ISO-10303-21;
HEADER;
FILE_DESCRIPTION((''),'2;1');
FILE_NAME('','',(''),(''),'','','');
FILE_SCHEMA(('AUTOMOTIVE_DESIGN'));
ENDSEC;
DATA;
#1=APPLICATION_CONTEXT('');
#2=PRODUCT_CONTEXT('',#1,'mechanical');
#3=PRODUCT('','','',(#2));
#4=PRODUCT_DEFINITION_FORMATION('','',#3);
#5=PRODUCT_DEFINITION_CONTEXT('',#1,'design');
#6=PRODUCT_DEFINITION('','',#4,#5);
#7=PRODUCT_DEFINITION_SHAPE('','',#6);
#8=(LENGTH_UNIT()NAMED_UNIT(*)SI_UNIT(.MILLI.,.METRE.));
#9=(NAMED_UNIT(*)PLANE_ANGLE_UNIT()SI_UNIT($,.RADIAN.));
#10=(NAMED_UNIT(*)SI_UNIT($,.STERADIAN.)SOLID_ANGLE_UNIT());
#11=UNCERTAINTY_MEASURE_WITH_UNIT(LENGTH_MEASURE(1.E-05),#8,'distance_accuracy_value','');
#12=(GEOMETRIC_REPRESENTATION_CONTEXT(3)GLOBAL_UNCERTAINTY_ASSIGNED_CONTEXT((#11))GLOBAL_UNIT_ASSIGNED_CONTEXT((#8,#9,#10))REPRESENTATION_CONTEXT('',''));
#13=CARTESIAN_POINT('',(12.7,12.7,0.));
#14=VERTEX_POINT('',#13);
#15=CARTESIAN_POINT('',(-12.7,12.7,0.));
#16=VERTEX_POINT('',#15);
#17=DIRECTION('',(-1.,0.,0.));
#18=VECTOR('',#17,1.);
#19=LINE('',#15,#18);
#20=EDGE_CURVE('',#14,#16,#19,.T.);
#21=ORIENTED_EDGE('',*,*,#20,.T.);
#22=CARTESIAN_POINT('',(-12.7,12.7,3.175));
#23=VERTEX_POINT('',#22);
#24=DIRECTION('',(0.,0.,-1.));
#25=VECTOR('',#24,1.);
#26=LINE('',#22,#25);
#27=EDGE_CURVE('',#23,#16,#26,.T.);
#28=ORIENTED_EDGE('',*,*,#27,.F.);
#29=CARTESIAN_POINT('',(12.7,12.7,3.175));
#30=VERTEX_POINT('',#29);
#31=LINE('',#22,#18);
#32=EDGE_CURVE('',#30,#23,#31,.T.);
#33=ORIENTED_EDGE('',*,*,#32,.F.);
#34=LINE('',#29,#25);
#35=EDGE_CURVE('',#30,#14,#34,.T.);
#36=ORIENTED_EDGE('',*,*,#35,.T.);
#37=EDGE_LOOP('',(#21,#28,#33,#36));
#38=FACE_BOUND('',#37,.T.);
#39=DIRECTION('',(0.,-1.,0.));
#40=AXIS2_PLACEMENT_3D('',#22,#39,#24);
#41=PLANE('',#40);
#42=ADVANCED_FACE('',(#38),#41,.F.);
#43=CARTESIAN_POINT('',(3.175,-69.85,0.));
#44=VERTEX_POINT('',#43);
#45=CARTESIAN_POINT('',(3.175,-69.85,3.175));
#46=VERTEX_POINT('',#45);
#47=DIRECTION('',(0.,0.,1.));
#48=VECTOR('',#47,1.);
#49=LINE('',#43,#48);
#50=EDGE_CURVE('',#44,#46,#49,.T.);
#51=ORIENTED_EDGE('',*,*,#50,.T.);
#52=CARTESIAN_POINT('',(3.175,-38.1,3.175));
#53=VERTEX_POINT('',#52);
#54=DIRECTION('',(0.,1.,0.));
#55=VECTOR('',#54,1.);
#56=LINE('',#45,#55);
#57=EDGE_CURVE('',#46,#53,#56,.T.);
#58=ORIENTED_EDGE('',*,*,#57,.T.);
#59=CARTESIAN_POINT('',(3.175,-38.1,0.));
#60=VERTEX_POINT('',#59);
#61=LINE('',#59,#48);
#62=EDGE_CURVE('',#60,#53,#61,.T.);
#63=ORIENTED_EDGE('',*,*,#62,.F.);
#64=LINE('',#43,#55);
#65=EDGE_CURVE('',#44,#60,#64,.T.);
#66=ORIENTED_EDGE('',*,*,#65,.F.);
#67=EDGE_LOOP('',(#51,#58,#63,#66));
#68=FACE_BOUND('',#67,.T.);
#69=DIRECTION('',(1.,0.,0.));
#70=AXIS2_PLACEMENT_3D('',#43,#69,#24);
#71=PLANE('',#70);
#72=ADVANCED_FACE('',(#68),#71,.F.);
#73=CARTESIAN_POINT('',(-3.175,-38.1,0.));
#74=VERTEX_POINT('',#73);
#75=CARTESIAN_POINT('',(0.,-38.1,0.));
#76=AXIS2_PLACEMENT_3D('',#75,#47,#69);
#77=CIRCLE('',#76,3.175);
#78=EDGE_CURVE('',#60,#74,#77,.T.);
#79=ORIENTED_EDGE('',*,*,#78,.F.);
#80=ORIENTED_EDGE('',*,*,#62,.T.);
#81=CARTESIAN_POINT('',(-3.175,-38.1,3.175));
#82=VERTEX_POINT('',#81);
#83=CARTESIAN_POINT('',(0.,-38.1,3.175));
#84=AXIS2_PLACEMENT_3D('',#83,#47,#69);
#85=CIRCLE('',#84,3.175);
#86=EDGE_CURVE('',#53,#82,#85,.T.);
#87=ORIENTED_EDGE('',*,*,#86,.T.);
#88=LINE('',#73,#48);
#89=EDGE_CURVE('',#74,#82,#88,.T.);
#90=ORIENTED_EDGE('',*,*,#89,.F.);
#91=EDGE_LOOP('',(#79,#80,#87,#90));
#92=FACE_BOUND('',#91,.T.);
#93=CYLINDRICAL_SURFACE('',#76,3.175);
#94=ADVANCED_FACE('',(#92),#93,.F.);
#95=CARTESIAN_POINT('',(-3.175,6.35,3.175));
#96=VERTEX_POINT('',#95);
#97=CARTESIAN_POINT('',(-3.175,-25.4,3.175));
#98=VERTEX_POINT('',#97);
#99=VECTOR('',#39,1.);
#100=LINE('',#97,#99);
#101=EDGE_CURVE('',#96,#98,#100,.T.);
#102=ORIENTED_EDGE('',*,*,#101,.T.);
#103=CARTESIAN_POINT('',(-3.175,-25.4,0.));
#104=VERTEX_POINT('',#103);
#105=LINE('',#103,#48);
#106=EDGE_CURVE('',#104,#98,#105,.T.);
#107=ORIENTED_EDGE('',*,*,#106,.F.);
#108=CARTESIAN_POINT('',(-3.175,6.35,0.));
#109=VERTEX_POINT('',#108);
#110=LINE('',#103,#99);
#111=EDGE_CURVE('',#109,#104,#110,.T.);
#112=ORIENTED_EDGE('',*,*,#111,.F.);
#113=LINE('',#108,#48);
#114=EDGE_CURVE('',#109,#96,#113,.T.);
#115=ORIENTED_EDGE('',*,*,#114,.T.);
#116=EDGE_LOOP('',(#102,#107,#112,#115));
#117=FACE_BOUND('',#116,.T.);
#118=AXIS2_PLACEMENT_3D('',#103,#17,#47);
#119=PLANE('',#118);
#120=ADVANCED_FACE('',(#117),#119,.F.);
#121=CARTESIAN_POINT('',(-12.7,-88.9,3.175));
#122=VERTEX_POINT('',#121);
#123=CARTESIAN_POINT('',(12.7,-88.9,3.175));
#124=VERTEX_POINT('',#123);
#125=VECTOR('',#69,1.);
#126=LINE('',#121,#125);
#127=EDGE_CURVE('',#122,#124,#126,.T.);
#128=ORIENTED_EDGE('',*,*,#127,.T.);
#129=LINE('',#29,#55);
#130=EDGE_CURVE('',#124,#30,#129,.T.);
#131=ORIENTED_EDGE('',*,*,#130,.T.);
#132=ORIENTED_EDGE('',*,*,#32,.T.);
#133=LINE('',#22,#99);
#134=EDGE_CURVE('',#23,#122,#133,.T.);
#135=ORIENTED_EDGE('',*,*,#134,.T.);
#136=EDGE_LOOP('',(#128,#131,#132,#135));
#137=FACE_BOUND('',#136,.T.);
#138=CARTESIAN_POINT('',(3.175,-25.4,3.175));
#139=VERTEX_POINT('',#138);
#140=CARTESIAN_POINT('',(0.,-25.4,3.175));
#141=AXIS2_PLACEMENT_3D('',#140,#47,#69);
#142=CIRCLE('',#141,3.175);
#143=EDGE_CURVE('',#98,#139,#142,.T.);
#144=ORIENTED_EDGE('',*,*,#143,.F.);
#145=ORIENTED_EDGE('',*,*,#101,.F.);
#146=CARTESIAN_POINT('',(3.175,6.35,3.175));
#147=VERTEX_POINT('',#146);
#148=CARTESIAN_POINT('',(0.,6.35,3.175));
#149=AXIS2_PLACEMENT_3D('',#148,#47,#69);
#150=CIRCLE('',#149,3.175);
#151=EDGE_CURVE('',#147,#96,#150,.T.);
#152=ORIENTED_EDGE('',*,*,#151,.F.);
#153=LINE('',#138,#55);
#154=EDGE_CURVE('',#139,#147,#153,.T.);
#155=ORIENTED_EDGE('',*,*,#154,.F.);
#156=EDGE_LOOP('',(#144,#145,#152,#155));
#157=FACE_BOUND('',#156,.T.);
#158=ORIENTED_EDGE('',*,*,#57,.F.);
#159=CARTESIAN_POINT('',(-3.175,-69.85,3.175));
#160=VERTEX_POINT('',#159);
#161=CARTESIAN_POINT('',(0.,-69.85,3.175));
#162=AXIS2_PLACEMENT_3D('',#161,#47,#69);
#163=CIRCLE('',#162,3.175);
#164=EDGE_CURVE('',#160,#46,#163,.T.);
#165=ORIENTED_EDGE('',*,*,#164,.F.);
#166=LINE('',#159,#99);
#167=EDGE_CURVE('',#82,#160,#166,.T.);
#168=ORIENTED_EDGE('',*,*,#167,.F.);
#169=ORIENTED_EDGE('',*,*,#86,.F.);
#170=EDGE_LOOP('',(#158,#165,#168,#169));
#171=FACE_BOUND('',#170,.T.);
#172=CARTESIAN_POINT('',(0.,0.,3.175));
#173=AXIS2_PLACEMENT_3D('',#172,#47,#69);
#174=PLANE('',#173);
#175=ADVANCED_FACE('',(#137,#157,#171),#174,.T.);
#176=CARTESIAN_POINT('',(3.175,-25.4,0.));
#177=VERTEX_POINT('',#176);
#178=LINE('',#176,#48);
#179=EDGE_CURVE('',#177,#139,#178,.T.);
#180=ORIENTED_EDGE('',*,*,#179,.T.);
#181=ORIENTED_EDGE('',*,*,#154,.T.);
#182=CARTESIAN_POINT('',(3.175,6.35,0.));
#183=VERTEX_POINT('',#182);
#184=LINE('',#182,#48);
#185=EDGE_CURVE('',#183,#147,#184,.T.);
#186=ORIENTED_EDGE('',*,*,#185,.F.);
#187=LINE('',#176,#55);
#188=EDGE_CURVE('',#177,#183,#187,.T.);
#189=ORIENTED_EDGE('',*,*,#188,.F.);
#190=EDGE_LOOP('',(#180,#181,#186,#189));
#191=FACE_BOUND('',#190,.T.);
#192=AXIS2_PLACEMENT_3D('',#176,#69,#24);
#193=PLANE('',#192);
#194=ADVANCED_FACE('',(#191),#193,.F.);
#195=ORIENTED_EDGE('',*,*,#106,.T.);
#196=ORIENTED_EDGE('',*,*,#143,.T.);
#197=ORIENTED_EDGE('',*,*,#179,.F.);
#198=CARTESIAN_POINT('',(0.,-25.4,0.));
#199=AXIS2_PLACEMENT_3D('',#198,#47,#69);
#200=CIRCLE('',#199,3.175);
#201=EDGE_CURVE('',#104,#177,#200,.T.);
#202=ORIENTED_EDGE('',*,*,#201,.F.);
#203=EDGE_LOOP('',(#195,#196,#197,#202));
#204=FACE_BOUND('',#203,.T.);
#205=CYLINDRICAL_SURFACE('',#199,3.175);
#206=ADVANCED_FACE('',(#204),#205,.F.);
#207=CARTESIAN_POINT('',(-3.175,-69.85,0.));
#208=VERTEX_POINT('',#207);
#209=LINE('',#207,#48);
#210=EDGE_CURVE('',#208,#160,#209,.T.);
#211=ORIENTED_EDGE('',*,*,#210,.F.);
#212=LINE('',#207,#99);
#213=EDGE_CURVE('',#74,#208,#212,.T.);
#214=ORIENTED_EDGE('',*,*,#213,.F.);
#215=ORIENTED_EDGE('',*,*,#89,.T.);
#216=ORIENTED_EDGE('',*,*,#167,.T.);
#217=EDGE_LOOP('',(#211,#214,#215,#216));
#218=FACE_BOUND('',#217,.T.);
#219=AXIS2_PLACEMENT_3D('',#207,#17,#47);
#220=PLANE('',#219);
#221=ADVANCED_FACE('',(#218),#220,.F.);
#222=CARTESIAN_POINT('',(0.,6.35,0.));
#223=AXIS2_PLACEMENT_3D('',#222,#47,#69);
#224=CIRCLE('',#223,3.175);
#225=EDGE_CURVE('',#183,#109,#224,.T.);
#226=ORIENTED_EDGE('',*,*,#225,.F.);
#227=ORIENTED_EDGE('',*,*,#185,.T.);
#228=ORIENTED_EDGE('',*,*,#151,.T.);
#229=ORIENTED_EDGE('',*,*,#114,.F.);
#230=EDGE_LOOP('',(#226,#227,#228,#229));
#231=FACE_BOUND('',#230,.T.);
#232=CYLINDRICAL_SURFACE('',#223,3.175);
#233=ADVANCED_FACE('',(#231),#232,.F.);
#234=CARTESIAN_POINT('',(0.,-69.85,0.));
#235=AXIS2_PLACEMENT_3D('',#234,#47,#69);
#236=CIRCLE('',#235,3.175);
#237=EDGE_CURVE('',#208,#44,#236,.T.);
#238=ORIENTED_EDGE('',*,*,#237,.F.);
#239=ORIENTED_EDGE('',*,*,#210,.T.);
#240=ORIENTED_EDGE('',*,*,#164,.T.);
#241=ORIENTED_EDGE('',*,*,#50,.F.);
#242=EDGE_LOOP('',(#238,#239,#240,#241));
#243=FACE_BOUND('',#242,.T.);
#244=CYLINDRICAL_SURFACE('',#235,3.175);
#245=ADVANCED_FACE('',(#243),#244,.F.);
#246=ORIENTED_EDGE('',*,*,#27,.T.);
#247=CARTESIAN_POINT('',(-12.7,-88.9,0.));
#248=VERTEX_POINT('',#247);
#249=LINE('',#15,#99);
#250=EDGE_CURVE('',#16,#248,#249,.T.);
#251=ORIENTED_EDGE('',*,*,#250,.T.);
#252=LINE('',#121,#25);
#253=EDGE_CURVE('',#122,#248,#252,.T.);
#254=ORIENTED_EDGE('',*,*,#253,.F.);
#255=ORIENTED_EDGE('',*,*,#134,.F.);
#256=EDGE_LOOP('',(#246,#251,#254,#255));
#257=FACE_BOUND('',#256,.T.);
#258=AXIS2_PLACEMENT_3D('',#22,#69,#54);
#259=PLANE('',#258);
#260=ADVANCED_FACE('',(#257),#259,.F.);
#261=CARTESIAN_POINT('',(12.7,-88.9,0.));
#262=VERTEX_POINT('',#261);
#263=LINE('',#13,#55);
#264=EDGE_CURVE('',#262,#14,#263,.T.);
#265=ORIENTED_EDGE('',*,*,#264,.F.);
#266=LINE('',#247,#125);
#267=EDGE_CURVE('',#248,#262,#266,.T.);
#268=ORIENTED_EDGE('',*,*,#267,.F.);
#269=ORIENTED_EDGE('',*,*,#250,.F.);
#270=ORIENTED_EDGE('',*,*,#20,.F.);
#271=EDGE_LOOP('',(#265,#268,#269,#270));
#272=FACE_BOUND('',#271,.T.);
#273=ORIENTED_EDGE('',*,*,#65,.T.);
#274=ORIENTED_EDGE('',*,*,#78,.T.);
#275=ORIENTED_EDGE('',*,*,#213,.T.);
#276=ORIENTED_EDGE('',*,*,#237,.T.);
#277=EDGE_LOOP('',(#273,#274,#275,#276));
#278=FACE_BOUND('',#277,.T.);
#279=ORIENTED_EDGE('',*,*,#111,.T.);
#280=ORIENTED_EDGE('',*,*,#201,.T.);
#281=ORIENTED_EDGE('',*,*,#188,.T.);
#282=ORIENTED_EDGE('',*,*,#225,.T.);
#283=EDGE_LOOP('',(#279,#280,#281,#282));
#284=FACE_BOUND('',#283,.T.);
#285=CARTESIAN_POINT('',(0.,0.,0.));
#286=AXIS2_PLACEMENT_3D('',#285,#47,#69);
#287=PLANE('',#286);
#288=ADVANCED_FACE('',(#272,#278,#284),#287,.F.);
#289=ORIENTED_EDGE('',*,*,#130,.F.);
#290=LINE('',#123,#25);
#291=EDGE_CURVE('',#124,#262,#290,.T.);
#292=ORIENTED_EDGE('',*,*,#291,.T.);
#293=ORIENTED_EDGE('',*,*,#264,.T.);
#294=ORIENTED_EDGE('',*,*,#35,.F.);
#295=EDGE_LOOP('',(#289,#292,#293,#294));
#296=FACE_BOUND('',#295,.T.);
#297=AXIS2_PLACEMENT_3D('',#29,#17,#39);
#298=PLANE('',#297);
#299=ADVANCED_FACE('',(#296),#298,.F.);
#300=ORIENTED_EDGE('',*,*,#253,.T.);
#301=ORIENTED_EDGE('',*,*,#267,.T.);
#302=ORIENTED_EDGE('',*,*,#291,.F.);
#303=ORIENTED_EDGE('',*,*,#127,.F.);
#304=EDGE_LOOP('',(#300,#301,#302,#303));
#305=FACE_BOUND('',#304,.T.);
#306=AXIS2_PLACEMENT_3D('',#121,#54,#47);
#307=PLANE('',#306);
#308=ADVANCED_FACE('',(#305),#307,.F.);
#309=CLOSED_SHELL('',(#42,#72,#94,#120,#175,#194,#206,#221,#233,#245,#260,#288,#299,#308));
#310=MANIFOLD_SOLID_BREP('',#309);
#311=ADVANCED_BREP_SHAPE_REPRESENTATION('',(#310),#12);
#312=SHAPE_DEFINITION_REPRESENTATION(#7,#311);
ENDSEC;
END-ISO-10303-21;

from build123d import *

# Parameters (mm, degrees)
SKETCH1_W           = 25.4
SKETCH1_H           = 101.6
SKETCH1_R           = 2.38125
BOSS_EXTRUDE1_DEPTH = 3.175
CUT_EXTRUDE1_DEPTH  = 4.175


with BuildPart() as part:
    # Sketch1 → Boss-Extrude1 (new body)
    with BuildSketch(Plane.XY):
        with Locations((0, -38.1)):
            Rectangle(SKETCH1_W, SKETCH1_H)
        with Locations((0, 6.35)):
            Circle(SKETCH1_R, mode=Mode.SUBTRACT)
        with Locations((0, -69.85)):
            Circle(SKETCH1_R, mode=Mode.SUBTRACT)
    extrude(amount=BOSS_EXTRUDE1_DEPTH)

    # Sketch2 → Cut-Extrude1 (cut, through all)
    with BuildSketch(Plane.XY.offset(3.175)):
        with BuildLine():
            Line((-3.175, -25.4), (-3.175, 6.35))
            ThreePointArc((-3.175, 6.35), (0, 9.525), (3.175, 6.35))
            Line((3.175, 6.35), (3.175, -25.4))
            ThreePointArc((3.175, -25.4), (0, -28.575), (-3.175, -25.4))
        make_face()
        with BuildLine():
            Line((-3.175, -69.85), (-3.175, -38.1))
            ThreePointArc((-3.175, -38.1), (0, -34.925), (3.175, -38.1))
            Line((3.175, -38.1), (3.175, -69.85))
            ThreePointArc((3.175, -69.85), (0, -73.025), (-3.175, -69.85))
        make_face()
    extrude(amount=-CUT_EXTRUDE1_DEPTH, mode=Mode.SUBTRACT)


solid = part.part
